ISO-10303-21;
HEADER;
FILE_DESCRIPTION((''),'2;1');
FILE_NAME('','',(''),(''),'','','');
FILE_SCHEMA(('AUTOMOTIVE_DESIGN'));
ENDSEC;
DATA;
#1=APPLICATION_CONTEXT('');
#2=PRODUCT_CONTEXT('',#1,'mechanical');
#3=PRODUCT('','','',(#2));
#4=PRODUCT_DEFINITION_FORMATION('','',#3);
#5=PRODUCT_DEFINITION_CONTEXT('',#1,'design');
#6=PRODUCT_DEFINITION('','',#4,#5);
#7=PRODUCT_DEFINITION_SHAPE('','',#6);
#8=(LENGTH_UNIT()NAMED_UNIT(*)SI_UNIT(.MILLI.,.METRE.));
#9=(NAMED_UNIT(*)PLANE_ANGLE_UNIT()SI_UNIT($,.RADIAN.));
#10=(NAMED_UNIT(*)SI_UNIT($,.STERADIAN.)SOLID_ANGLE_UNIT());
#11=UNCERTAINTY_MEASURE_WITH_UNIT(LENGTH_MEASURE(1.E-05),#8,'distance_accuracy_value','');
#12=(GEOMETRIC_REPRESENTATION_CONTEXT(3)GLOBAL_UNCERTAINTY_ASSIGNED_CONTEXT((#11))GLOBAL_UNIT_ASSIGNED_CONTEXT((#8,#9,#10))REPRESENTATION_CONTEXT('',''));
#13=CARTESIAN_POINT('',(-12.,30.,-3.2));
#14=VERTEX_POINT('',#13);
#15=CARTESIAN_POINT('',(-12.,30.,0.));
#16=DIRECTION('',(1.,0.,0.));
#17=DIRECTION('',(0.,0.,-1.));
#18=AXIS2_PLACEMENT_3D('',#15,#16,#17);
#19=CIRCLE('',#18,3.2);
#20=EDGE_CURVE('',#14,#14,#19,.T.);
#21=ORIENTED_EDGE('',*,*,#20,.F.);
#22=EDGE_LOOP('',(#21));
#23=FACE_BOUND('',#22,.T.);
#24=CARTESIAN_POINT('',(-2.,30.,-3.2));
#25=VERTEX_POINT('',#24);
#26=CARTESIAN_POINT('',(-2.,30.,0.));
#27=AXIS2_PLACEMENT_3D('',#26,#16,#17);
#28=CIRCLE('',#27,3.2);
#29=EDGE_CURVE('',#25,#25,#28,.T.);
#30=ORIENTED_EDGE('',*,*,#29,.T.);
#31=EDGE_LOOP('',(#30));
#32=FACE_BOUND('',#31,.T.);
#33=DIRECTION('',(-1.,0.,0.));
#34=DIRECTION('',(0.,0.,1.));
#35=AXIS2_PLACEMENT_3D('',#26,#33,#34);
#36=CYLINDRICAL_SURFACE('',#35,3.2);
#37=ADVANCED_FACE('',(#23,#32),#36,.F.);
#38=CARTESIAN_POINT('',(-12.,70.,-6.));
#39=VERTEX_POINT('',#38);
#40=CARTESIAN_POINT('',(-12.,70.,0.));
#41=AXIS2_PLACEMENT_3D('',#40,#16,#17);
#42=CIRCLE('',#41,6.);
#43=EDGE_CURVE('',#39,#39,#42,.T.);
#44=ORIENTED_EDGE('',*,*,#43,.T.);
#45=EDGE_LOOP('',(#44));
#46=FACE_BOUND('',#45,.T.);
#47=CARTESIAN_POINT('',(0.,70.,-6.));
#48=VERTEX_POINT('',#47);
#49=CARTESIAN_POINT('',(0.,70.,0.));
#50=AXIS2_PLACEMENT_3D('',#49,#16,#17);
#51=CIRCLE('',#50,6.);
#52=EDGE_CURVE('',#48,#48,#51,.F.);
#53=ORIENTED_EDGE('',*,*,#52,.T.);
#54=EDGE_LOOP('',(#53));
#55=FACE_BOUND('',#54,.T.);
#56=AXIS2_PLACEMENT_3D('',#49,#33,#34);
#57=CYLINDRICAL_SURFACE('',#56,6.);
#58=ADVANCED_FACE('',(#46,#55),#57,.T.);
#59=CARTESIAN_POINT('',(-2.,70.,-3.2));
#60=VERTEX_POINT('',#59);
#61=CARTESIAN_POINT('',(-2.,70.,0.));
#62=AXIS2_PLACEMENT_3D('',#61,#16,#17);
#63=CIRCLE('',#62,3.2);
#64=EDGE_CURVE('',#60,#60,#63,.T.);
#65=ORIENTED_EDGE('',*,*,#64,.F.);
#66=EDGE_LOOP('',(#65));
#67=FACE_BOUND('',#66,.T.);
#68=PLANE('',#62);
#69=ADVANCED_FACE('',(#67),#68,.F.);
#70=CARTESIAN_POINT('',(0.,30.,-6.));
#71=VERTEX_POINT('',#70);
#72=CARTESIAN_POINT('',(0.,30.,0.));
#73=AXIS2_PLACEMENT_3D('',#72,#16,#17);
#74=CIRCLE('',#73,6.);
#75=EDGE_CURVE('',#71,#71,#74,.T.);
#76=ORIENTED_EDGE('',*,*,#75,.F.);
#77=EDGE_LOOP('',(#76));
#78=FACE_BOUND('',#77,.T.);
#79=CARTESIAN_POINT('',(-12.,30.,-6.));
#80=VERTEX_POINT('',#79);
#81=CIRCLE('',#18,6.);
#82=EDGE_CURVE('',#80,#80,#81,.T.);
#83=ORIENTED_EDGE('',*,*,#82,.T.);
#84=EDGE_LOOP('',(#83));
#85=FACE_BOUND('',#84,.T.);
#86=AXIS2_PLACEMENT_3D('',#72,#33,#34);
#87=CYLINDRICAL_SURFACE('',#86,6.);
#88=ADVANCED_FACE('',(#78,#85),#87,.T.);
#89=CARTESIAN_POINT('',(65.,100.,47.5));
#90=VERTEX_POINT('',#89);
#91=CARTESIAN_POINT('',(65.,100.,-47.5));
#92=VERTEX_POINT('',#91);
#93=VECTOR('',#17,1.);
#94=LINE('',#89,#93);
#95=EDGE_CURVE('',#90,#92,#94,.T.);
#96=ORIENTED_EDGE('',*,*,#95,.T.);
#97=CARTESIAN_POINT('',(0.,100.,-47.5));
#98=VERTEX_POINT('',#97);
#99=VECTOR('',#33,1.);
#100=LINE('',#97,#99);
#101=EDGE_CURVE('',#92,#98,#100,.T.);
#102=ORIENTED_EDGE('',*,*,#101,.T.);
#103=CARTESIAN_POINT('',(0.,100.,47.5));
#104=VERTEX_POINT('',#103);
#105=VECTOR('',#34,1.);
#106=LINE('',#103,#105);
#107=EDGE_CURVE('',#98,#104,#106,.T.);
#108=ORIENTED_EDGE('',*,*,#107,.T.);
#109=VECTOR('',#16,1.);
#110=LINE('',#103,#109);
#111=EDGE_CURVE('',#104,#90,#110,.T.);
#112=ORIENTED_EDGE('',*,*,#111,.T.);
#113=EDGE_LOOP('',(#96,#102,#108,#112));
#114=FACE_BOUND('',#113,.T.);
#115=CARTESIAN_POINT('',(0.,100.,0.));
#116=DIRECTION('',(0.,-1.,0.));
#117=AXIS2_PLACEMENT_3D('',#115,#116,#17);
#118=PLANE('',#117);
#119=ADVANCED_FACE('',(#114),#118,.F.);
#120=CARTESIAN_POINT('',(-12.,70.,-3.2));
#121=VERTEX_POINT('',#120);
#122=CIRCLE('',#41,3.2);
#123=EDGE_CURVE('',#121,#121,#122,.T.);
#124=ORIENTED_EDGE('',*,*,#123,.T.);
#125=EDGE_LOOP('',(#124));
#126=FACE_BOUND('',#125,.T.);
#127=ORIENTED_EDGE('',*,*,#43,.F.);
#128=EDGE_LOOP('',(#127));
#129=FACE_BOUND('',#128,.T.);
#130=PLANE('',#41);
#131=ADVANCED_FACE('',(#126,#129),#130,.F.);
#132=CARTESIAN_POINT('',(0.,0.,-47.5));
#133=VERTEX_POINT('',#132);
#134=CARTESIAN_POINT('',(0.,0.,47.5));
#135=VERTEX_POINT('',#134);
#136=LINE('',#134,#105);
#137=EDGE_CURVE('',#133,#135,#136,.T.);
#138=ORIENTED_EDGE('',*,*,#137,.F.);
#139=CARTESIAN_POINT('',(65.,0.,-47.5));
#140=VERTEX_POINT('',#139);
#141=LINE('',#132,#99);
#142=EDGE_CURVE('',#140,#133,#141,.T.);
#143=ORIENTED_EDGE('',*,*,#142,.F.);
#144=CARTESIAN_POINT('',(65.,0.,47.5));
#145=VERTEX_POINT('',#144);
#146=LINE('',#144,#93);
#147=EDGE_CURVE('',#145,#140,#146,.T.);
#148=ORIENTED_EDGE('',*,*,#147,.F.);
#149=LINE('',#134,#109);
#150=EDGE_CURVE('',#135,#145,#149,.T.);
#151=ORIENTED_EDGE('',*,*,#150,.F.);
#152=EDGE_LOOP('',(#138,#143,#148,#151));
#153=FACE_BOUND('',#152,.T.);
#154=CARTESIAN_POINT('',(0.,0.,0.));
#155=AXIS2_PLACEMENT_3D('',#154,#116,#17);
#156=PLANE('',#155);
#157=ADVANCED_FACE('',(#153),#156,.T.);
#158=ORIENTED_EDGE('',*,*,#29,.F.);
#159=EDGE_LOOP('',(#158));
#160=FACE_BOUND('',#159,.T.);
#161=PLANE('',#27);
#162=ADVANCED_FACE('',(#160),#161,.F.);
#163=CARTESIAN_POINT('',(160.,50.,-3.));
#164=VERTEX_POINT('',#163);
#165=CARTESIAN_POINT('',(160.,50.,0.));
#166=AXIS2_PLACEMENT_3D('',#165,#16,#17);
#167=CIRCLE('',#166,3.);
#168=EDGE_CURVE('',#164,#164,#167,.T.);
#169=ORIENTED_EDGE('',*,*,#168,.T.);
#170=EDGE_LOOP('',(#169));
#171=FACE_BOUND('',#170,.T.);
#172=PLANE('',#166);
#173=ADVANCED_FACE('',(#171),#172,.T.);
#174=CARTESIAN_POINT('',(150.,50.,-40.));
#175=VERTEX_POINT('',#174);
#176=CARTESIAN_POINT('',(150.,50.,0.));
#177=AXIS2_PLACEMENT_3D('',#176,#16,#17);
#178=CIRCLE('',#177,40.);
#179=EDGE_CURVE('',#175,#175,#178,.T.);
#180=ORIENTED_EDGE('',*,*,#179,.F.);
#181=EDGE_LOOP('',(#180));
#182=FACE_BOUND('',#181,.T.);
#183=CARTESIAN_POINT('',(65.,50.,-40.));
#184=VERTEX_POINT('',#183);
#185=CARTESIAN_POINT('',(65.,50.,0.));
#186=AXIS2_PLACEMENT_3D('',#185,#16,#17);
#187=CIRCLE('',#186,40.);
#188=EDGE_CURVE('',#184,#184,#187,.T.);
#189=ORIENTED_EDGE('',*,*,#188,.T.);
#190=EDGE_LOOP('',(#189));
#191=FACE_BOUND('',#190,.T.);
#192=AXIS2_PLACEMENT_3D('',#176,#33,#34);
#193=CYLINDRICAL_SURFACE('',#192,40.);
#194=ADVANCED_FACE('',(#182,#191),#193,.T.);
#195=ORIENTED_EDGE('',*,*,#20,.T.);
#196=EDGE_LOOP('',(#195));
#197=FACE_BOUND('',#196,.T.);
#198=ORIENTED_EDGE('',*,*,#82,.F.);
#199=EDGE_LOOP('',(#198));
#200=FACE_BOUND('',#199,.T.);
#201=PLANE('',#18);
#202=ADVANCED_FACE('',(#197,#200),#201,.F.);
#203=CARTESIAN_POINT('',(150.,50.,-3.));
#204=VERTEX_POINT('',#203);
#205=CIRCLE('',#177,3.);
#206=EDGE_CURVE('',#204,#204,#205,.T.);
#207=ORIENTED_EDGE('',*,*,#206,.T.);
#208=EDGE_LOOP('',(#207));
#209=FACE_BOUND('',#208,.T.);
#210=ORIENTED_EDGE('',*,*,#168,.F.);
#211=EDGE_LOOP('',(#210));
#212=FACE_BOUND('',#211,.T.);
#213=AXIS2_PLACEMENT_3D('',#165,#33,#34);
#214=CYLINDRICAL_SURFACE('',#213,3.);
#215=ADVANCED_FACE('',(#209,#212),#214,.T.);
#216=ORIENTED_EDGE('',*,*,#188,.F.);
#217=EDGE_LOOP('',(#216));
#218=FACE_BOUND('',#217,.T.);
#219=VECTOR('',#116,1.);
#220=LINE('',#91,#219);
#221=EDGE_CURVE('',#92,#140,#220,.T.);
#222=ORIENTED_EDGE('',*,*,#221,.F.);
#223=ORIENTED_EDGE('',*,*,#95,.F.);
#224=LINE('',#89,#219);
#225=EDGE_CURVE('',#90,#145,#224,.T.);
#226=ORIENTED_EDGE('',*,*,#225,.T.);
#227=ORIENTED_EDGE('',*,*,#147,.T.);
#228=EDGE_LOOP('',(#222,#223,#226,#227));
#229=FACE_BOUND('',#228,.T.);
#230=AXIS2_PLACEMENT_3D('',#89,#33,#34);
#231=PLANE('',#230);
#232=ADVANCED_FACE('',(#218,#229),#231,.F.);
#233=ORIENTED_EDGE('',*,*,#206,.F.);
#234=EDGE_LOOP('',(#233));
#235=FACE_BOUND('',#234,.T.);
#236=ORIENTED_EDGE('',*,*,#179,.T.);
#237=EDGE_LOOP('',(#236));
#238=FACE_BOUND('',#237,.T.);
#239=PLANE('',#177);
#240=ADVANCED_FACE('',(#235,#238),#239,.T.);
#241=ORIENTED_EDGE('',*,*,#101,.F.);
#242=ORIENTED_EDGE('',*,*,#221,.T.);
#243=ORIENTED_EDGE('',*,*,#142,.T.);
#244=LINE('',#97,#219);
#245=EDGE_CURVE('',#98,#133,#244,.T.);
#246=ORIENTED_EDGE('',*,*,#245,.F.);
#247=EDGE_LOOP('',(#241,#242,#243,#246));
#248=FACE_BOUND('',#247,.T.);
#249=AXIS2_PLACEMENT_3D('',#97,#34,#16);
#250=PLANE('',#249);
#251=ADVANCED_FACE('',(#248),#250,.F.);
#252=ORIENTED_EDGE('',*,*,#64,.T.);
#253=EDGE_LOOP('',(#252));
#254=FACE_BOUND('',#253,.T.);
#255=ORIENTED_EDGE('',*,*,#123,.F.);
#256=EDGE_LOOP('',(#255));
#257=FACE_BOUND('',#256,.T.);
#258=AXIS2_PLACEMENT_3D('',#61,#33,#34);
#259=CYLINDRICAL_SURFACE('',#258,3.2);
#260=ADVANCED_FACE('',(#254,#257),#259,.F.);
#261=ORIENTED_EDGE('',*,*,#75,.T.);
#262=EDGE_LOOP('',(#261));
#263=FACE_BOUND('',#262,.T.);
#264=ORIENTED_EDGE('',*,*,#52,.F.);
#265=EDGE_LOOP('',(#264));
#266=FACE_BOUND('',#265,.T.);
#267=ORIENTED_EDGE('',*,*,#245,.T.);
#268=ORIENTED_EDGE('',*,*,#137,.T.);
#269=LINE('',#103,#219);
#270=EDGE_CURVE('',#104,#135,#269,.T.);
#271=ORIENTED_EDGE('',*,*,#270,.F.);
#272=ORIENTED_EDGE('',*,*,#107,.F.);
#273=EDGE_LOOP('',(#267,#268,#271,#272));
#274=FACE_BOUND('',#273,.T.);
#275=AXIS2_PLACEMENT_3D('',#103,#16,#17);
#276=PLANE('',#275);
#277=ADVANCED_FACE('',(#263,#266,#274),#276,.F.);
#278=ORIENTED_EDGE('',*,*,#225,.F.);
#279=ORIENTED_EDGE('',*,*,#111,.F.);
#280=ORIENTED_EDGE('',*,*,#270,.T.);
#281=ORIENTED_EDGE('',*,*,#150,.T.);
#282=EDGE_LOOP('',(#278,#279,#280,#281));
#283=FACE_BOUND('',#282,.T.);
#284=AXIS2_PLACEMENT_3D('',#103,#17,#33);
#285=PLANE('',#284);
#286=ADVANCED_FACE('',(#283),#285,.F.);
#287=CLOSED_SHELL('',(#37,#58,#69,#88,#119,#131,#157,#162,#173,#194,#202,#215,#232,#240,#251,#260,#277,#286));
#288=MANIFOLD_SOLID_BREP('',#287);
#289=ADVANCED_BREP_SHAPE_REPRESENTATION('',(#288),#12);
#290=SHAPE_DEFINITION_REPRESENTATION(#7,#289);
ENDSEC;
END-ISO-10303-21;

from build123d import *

# Parameters (mm, degrees)
SKETCH1_W           = 65
SKETCH1_H           = 95
PUMP_HEAD_DEPTH     = 100
MOTOR_START         = 65
SKETCH2_R           = 40
MOTOR_DEPTH         = 85
INLET_PORT_START    = -12
SKETCH3_R           = 6
INLET_PORT_DEPTH    = 12
INLET_SOCKET_START  = -12
SKETCH4_R           = 3.2
INLET_SOCKET_DEPTH  = 10
OUTLET_PORT_START   = -12
SKETCH5_R           = 6
OUTLET_PORT_DEPTH   = 12
OUTLET_SOCKET_START = -12
SKETCH6_R           = 3.2
OUTLET_SOCKET_DEPTH = 10
CABLE_STUB_START    = 150
SKETCH7_R           = 3
CABLE_STUB_DEPTH    = 10


with BuildPart() as part:
    # Sketch1 → Pump_Head (new body)
    with BuildSketch(Plane(origin=(0, 0, 0), x_dir=(1, 0, 0), z_dir=(0, 1, 0))):
        with Locations((32.5, 0)):
            Rectangle(SKETCH1_W, SKETCH1_H)
    extrude(amount=PUMP_HEAD_DEPTH)

    # Sketch2 → Motor (add)
    with BuildSketch(Plane(origin=(0, 0, 0), x_dir=(0, 0, -1), z_dir=(1, 0, 0)).offset(MOTOR_START)):
        with Locations((0, 50)):
            Circle(SKETCH2_R)
    extrude(amount=MOTOR_DEPTH)

    # Sketch3 → Inlet_Port (add)
    with BuildSketch(Plane(origin=(0, 0, 0), x_dir=(0, 0, -1), z_dir=(1, 0, 0)).offset(INLET_PORT_START)):
        with Locations((0, 30)):
            Circle(SKETCH3_R)
    extrude(amount=INLET_PORT_DEPTH)

    # Sketch4 → Inlet_Socket (cut)
    with BuildSketch(Plane(origin=(0, 0, 0), x_dir=(0, 0, -1), z_dir=(1, 0, 0)).offset(INLET_SOCKET_START)):
        with Locations((0, 30)):
            Circle(SKETCH4_R)
    extrude(amount=INLET_SOCKET_DEPTH, mode=Mode.SUBTRACT)

    # Sketch5 → Outlet_Port (add)
    with BuildSketch(Plane(origin=(0, 0, 0), x_dir=(0, 0, -1), z_dir=(1, 0, 0)).offset(OUTLET_PORT_START)):
        with Locations((0, 70)):
            Circle(SKETCH5_R)
    extrude(amount=OUTLET_PORT_DEPTH)

    # Sketch6 → Outlet_Socket (cut)
    with BuildSketch(Plane(origin=(0, 0, 0), x_dir=(0, 0, -1), z_dir=(1, 0, 0)).offset(OUTLET_SOCKET_START)):
        with Locations((0, 70)):
            Circle(SKETCH6_R)
    extrude(amount=OUTLET_SOCKET_DEPTH, mode=Mode.SUBTRACT)

    # Sketch7 → Cable_Stub (add)
    with BuildSketch(Plane(origin=(0, 0, 0), x_dir=(0, 0, -1), z_dir=(1, 0, 0)).offset(CABLE_STUB_START)):
        with Locations((0, 50)):
            Circle(SKETCH7_R)
    extrude(amount=CABLE_STUB_DEPTH)


solid = part.part
